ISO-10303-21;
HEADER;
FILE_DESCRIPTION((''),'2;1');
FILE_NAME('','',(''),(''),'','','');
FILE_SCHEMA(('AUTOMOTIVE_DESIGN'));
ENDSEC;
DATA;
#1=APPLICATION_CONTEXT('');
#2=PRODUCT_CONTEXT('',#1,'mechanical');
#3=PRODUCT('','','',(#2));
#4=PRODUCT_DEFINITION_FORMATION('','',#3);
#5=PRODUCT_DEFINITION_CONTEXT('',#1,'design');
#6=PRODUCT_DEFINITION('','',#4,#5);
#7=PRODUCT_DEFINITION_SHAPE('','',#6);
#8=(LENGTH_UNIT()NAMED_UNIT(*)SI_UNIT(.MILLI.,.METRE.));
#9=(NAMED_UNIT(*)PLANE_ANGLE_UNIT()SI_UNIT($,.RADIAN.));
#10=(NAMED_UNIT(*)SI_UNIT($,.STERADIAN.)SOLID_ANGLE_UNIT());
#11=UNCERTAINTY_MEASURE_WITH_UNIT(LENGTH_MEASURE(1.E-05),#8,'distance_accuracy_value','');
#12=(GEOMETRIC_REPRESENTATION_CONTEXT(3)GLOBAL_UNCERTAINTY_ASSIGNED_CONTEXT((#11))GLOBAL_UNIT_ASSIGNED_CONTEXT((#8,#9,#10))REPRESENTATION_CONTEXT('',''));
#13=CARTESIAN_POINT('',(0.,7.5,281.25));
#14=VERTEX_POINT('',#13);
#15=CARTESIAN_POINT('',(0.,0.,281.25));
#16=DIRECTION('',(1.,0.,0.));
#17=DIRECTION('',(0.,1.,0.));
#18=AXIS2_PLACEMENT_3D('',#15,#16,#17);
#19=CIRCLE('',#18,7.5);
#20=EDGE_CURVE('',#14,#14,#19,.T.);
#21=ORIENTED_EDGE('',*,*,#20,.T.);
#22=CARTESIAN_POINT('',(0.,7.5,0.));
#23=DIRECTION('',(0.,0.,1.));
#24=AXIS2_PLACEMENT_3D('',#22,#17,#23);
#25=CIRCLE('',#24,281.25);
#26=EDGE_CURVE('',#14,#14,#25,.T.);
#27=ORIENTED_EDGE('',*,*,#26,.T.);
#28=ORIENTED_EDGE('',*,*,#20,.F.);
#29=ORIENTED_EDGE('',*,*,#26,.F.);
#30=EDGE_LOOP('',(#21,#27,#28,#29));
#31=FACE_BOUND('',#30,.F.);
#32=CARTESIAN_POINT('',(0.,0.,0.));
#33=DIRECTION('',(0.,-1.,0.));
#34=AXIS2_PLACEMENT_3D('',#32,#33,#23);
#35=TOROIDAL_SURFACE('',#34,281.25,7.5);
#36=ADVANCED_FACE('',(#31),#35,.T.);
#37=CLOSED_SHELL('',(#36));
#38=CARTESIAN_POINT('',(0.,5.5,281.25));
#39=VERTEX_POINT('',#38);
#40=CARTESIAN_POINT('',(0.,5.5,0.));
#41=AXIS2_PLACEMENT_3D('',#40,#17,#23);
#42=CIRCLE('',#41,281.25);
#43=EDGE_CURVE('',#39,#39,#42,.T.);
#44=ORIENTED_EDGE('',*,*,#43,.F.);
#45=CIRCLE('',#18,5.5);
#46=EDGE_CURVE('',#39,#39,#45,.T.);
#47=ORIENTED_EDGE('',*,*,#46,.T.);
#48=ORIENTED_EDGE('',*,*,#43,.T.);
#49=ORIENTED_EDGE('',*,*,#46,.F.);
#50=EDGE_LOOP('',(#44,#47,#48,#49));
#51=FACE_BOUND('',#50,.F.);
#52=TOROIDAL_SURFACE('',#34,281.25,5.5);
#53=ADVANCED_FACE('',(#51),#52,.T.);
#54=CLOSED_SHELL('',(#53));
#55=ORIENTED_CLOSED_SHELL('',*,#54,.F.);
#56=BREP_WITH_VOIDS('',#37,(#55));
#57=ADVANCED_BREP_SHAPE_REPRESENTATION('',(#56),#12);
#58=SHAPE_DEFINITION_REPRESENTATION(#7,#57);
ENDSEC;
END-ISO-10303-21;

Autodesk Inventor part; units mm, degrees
ref_plane "YZ Plane" through (0, 0, 0) normal (1, 0, 0) x (0, 1, 0)
ref_plane "XZ Plane" through (0, 0, 0) normal (0, 1, 0) x (-1, 0, 0)
ref_plane "XY Plane" through (0, 0, 0) normal (0, 0, 1) x (1, 0, 0)
sketch "Szkic1" plane through (0, 0, 0) normal (1, 0, 0) x (0, 1, 0)
  circle A0 centre (0, 281.25) radius 7.5
  circle A1 centre (0, 281.25) radius 5.5
  line L0 (-84.8352, 0) -> (115.9844, 0)
  point P0 (0, 0)
  dimension "d0" = 15
  dimension "d1" = 2
  dimension "d2" = 281.25
revolve "Obrót1" add sketch "Szkic1" angle 360 about axis through (0, -84.8352, 0) along (0, 1, 0)
properties part number "Ciąg" material "Aluminium 6061-AHC"
